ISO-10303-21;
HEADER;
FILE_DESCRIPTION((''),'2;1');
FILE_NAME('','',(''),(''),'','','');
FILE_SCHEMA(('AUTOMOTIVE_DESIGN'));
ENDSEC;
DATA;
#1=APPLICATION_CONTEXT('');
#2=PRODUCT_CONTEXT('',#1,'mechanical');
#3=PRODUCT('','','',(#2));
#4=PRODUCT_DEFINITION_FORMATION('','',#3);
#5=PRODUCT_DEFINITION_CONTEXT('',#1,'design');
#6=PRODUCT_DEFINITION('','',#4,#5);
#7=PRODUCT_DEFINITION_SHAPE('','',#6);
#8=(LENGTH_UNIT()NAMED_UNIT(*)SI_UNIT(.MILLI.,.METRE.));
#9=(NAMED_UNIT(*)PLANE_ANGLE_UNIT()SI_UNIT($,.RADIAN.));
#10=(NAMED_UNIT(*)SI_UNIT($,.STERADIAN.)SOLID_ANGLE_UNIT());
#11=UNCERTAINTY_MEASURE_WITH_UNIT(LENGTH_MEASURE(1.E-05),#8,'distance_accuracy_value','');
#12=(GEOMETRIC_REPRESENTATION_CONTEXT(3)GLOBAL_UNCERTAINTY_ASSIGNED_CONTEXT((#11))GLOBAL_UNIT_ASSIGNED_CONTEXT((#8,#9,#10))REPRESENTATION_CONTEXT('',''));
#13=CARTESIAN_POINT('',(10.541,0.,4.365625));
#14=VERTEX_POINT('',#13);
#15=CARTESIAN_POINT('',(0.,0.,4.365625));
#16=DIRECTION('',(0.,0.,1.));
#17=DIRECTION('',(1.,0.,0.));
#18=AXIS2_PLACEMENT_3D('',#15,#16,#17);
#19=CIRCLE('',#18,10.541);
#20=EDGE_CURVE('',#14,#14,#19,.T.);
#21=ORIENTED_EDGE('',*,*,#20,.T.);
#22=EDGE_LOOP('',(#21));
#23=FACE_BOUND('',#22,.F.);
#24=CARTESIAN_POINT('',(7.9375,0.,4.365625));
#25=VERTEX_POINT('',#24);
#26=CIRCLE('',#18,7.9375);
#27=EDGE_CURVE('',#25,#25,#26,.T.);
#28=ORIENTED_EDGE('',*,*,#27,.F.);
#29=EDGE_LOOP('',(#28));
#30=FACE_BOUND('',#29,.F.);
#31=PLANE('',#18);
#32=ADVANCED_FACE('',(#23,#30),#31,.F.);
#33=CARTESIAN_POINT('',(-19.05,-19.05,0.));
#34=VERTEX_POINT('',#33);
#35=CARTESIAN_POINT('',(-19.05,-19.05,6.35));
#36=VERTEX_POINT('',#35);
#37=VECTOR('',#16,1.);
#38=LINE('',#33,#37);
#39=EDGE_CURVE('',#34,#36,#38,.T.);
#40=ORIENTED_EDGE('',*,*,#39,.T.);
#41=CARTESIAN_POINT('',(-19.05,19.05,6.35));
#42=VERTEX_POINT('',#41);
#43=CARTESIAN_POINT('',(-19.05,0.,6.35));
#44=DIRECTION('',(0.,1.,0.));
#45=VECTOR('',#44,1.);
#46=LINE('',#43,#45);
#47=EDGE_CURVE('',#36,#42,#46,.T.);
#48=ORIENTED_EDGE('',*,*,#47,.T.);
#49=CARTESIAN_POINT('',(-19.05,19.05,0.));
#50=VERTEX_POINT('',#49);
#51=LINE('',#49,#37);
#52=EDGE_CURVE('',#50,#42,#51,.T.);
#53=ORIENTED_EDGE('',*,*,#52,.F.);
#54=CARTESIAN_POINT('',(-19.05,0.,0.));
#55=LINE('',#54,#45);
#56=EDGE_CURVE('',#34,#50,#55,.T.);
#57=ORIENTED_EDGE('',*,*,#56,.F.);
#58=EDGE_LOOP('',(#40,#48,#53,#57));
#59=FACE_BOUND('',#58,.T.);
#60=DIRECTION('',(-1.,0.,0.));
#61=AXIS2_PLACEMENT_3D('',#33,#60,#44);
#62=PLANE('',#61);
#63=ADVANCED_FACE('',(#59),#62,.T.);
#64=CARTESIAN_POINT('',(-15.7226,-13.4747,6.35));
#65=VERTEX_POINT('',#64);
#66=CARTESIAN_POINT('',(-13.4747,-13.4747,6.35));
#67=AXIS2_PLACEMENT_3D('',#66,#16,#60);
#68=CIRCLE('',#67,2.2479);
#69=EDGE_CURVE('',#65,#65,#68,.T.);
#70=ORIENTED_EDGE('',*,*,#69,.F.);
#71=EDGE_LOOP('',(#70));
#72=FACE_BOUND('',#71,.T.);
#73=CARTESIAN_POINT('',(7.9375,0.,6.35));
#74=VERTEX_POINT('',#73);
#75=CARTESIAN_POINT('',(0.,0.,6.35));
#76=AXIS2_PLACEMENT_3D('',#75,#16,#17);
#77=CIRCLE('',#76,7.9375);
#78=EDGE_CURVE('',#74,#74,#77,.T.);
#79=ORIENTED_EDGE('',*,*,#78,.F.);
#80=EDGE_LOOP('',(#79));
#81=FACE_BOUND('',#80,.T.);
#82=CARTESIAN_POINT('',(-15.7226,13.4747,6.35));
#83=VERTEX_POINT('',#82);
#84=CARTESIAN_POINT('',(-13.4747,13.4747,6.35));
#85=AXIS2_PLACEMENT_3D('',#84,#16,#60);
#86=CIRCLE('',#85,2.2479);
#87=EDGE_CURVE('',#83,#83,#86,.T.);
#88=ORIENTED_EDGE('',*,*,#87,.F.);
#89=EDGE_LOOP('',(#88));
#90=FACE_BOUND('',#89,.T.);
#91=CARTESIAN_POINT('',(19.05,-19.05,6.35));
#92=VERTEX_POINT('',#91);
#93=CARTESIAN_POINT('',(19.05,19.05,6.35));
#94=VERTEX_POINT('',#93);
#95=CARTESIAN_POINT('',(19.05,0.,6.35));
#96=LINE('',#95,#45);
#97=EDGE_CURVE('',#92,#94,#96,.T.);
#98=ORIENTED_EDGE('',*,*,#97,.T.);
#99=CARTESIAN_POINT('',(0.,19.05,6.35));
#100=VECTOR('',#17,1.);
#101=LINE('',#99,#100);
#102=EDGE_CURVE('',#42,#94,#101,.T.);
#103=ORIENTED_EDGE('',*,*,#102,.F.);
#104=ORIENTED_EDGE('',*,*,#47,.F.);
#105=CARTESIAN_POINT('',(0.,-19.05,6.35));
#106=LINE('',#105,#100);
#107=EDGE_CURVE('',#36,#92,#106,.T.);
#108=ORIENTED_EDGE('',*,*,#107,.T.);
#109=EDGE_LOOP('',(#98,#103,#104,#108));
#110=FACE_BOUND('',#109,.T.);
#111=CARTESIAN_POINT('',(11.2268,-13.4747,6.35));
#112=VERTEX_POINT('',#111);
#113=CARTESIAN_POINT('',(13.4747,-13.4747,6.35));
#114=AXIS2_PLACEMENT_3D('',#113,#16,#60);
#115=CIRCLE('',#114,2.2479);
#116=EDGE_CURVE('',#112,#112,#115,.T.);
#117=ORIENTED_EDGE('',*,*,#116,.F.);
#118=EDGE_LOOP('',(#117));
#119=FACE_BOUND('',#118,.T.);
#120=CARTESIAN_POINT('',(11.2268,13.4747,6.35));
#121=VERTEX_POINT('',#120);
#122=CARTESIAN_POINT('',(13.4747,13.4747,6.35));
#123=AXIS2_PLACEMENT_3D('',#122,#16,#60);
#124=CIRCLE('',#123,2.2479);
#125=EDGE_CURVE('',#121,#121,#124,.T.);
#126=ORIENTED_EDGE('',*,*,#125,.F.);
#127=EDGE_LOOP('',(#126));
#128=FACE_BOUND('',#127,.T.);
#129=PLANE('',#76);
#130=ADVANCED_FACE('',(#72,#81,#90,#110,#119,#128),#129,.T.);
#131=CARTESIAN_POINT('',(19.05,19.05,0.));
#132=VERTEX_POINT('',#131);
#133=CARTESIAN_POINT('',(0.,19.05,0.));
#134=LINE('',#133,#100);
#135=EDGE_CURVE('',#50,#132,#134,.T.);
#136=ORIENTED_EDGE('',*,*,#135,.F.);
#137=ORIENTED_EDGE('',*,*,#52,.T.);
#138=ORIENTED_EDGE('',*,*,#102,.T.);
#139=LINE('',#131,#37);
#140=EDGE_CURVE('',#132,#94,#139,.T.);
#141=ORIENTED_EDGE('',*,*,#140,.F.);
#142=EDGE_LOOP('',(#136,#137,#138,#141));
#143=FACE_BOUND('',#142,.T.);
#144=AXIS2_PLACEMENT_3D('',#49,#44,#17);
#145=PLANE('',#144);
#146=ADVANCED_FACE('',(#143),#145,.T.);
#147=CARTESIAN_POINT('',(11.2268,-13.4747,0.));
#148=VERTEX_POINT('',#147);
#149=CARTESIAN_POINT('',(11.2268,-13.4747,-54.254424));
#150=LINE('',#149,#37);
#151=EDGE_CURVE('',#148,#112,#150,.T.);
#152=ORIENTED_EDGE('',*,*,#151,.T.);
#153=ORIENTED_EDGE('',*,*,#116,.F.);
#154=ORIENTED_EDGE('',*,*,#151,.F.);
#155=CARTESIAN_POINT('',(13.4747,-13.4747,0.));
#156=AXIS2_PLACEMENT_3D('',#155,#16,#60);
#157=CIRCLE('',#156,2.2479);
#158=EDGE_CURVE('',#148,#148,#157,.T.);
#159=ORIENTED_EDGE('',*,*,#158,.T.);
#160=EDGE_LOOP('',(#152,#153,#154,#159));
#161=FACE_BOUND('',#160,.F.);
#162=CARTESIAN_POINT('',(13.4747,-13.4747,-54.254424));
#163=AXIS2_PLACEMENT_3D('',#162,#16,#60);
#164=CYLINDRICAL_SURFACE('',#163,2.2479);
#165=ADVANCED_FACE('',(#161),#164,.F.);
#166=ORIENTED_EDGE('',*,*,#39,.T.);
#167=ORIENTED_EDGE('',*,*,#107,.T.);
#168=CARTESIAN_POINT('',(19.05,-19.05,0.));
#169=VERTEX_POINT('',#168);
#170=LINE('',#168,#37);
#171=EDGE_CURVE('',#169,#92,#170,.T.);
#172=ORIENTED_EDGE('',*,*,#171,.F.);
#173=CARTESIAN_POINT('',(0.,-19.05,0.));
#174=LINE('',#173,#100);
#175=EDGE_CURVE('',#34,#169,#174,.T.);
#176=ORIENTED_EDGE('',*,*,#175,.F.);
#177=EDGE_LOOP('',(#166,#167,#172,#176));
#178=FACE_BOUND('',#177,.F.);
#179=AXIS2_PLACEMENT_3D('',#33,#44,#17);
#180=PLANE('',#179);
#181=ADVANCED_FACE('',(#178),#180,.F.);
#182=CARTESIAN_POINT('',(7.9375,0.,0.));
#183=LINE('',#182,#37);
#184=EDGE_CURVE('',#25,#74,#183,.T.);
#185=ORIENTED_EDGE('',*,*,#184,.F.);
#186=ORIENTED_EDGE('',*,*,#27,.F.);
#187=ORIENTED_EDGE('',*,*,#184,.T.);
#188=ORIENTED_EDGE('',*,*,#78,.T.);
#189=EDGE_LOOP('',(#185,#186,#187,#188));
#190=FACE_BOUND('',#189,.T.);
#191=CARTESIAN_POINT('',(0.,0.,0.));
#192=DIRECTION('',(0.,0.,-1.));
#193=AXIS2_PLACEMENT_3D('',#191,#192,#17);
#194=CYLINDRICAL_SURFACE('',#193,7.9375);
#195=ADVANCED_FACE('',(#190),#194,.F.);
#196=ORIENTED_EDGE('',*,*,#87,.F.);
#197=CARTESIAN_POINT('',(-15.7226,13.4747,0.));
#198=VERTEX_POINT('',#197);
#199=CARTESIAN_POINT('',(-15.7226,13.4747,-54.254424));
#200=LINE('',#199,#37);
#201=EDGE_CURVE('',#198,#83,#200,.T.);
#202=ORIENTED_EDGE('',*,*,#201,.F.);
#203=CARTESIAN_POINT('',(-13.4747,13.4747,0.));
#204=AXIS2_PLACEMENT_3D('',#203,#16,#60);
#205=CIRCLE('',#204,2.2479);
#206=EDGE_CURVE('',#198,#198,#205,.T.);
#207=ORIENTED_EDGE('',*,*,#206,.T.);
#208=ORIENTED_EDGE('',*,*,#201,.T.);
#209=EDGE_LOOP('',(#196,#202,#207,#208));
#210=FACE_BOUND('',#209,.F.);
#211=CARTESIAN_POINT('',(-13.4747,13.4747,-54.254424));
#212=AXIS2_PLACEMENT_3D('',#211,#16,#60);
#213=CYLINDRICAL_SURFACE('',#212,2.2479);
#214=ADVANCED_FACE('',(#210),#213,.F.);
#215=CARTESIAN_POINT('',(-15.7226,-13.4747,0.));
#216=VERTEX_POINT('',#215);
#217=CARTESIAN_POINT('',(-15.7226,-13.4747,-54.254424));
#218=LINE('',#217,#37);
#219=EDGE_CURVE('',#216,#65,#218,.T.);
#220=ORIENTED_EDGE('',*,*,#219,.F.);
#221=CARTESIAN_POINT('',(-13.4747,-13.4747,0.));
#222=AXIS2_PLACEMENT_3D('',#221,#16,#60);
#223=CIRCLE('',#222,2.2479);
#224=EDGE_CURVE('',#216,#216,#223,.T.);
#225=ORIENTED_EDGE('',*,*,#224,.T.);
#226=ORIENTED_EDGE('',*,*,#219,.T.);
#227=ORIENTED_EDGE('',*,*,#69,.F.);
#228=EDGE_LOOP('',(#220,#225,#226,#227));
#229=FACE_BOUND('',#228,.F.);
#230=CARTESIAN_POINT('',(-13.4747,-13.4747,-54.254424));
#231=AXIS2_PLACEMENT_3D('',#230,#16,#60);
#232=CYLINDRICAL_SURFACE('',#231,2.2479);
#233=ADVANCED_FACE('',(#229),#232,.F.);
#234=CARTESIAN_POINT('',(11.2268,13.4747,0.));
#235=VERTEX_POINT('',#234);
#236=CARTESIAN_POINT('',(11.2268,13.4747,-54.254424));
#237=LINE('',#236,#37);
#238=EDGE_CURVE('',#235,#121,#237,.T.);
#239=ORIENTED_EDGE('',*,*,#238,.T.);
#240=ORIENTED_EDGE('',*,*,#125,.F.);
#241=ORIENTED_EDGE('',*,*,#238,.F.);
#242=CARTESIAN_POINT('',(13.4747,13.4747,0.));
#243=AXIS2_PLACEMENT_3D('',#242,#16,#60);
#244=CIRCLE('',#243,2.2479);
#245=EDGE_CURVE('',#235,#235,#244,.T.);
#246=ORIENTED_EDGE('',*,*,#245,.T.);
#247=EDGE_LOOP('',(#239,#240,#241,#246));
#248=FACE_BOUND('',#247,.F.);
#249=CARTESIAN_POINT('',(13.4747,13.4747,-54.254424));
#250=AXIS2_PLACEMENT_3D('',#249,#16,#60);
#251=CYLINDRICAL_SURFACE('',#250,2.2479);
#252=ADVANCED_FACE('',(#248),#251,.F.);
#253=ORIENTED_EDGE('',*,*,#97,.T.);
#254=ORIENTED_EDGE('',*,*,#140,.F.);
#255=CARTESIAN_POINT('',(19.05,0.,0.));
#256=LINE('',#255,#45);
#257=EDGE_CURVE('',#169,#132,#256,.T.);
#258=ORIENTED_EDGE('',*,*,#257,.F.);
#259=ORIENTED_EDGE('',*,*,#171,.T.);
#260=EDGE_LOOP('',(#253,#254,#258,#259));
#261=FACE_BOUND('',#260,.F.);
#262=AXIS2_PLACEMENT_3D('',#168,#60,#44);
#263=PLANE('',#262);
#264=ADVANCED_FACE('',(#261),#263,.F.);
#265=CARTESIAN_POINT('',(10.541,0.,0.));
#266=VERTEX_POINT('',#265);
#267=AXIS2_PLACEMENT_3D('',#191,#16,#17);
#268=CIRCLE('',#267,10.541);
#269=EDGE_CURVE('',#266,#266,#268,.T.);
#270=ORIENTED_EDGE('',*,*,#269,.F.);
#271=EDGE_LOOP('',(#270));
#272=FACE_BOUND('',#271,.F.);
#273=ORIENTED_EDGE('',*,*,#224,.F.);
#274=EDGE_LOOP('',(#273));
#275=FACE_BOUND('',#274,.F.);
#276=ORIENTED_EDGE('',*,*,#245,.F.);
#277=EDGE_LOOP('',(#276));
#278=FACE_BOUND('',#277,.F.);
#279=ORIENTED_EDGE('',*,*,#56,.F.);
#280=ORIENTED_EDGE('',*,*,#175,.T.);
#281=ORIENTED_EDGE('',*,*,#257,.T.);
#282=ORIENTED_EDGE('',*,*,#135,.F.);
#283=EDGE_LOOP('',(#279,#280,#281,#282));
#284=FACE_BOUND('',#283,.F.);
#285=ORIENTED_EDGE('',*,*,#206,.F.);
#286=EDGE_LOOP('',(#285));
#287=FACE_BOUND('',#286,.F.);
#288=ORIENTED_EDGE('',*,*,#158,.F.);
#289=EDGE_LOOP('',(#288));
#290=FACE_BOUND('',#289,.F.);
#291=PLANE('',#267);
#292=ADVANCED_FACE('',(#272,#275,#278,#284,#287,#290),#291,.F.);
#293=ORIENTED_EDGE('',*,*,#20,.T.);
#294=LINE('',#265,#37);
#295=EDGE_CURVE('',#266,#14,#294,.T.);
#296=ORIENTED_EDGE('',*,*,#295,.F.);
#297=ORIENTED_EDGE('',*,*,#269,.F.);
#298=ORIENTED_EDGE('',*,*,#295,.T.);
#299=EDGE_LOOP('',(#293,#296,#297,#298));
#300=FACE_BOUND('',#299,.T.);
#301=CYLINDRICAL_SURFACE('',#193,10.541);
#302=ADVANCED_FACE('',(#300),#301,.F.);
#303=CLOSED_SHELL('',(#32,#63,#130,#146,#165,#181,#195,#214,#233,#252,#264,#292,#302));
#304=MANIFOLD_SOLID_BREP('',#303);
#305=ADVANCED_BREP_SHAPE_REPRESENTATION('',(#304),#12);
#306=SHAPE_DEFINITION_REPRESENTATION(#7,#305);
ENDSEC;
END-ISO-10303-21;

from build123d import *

# Parameters (mm, degrees)
F0_W     = 38.1
F0_H     = 38.1
F0_R     = 10.541
F1_DEPTH = 6.35
F0_R_2   = 7.9375
F2_DEPTH = 6.35
F3_D     = 4.4958
F4_D     = 4.4958
F5_D     = 4.4958
F6_D     = 4.4958
F7_DEPTH = 4.365625


with BuildPart() as f1:
    # F0 (on Top) → F1 (new body)
    with BuildSketch(Plane.XY):
        Rectangle(F0_W, F0_H)
        Circle(F0_R, mode=Mode.SUBTRACT)
    extrude(amount=F1_DEPTH)

    # F0 (on Top) → F2 (join)
    with BuildSketch(Plane.XY):
        Rectangle(F0_W, F0_H)
        Circle(F0_R, mode=Mode.SUBTRACT)
        Circle(F0_R)
        Circle(F0_R_2, mode=Mode.SUBTRACT)
    extrude(amount=F2_DEPTH)

    # F3 (through all)
    with Locations(Plane(origin=(0, 0, 0), x_dir=(1, 0, 0), z_dir=(0, 0, -1))):
        with Locations((-13.4747, 13.4747)):
            Hole(F3_D / 2)

    # F4 (through all)
    with Locations(Plane(origin=(0, 0, 0), x_dir=(1, 0, 0), z_dir=(0, 0, -1))):
        with Locations((-13.4747, -13.4747)):
            Hole(F4_D / 2)

    # F5 (through all)
    with Locations(Plane(origin=(0, 0, 0), x_dir=(1, 0, 0), z_dir=(0, 0, -1))):
        with Locations((13.4747, -13.4747)):
            Hole(F5_D / 2)

    # F6 (through all)
    with Locations(Plane(origin=(0, 0, 0), x_dir=(1, 0, 0), z_dir=(0, 0, -1))):
        with Locations((13.4747, 13.4747)):
            Hole(F6_D / 2)

    # F0 (on Top) → F7 (cut)
    with BuildSketch(Plane.XY):
        Circle(F0_R)
        Circle(F0_R_2, mode=Mode.SUBTRACT)
    extrude(amount=F7_DEPTH, mode=Mode.SUBTRACT)


solid = f1.part
